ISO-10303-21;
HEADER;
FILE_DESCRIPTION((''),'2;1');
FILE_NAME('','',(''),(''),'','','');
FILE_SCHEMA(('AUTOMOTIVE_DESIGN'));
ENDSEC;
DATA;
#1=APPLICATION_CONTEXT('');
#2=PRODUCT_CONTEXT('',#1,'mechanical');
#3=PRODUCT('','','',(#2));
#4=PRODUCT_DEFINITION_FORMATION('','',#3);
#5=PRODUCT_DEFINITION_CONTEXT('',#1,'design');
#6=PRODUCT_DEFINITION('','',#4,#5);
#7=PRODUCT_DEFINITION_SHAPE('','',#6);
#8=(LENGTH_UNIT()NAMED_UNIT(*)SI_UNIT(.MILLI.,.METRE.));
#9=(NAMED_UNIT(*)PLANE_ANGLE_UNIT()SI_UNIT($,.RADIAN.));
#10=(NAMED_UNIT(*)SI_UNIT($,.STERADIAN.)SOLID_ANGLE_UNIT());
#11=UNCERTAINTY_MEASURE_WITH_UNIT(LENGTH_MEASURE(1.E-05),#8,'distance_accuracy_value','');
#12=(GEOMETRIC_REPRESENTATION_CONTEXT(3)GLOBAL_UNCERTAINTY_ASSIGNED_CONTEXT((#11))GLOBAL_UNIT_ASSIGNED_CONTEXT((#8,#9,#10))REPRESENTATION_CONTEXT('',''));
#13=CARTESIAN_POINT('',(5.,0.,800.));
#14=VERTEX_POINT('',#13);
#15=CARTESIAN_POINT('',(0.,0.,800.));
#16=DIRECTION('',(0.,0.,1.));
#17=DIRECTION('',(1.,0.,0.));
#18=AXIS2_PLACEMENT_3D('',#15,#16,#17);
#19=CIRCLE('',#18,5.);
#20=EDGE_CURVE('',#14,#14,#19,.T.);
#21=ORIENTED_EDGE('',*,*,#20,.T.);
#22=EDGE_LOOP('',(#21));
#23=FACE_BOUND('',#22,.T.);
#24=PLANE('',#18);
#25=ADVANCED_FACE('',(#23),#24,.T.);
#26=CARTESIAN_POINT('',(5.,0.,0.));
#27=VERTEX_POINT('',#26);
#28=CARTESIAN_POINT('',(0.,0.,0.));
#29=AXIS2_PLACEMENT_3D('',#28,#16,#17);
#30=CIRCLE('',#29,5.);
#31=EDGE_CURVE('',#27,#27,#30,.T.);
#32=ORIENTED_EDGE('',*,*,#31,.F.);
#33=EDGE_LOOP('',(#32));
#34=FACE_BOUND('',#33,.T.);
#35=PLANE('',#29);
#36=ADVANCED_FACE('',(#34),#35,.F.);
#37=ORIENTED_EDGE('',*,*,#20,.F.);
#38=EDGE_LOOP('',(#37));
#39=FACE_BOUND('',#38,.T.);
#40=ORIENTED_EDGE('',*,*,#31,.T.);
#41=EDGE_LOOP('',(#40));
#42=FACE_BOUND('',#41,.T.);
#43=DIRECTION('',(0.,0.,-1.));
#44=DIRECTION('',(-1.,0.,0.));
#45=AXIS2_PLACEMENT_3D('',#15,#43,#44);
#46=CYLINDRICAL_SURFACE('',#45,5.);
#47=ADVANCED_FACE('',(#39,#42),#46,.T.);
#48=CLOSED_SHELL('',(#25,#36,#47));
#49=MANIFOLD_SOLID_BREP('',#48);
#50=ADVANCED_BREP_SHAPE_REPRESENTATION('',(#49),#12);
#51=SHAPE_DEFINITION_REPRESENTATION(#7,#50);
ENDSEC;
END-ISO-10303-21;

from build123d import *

# Parameters (mm, degrees)
ESQUISSE1_R        = 5
BOSS_EXTRU_1_DEPTH = 800


with BuildPart() as part:
    # Esquisse1 → Boss.-Extru.1 (new body)
    with BuildSketch(Plane.XY):
        Circle(ESQUISSE1_R)
    extrude(amount=BOSS_EXTRU_1_DEPTH)


solid = part.part
